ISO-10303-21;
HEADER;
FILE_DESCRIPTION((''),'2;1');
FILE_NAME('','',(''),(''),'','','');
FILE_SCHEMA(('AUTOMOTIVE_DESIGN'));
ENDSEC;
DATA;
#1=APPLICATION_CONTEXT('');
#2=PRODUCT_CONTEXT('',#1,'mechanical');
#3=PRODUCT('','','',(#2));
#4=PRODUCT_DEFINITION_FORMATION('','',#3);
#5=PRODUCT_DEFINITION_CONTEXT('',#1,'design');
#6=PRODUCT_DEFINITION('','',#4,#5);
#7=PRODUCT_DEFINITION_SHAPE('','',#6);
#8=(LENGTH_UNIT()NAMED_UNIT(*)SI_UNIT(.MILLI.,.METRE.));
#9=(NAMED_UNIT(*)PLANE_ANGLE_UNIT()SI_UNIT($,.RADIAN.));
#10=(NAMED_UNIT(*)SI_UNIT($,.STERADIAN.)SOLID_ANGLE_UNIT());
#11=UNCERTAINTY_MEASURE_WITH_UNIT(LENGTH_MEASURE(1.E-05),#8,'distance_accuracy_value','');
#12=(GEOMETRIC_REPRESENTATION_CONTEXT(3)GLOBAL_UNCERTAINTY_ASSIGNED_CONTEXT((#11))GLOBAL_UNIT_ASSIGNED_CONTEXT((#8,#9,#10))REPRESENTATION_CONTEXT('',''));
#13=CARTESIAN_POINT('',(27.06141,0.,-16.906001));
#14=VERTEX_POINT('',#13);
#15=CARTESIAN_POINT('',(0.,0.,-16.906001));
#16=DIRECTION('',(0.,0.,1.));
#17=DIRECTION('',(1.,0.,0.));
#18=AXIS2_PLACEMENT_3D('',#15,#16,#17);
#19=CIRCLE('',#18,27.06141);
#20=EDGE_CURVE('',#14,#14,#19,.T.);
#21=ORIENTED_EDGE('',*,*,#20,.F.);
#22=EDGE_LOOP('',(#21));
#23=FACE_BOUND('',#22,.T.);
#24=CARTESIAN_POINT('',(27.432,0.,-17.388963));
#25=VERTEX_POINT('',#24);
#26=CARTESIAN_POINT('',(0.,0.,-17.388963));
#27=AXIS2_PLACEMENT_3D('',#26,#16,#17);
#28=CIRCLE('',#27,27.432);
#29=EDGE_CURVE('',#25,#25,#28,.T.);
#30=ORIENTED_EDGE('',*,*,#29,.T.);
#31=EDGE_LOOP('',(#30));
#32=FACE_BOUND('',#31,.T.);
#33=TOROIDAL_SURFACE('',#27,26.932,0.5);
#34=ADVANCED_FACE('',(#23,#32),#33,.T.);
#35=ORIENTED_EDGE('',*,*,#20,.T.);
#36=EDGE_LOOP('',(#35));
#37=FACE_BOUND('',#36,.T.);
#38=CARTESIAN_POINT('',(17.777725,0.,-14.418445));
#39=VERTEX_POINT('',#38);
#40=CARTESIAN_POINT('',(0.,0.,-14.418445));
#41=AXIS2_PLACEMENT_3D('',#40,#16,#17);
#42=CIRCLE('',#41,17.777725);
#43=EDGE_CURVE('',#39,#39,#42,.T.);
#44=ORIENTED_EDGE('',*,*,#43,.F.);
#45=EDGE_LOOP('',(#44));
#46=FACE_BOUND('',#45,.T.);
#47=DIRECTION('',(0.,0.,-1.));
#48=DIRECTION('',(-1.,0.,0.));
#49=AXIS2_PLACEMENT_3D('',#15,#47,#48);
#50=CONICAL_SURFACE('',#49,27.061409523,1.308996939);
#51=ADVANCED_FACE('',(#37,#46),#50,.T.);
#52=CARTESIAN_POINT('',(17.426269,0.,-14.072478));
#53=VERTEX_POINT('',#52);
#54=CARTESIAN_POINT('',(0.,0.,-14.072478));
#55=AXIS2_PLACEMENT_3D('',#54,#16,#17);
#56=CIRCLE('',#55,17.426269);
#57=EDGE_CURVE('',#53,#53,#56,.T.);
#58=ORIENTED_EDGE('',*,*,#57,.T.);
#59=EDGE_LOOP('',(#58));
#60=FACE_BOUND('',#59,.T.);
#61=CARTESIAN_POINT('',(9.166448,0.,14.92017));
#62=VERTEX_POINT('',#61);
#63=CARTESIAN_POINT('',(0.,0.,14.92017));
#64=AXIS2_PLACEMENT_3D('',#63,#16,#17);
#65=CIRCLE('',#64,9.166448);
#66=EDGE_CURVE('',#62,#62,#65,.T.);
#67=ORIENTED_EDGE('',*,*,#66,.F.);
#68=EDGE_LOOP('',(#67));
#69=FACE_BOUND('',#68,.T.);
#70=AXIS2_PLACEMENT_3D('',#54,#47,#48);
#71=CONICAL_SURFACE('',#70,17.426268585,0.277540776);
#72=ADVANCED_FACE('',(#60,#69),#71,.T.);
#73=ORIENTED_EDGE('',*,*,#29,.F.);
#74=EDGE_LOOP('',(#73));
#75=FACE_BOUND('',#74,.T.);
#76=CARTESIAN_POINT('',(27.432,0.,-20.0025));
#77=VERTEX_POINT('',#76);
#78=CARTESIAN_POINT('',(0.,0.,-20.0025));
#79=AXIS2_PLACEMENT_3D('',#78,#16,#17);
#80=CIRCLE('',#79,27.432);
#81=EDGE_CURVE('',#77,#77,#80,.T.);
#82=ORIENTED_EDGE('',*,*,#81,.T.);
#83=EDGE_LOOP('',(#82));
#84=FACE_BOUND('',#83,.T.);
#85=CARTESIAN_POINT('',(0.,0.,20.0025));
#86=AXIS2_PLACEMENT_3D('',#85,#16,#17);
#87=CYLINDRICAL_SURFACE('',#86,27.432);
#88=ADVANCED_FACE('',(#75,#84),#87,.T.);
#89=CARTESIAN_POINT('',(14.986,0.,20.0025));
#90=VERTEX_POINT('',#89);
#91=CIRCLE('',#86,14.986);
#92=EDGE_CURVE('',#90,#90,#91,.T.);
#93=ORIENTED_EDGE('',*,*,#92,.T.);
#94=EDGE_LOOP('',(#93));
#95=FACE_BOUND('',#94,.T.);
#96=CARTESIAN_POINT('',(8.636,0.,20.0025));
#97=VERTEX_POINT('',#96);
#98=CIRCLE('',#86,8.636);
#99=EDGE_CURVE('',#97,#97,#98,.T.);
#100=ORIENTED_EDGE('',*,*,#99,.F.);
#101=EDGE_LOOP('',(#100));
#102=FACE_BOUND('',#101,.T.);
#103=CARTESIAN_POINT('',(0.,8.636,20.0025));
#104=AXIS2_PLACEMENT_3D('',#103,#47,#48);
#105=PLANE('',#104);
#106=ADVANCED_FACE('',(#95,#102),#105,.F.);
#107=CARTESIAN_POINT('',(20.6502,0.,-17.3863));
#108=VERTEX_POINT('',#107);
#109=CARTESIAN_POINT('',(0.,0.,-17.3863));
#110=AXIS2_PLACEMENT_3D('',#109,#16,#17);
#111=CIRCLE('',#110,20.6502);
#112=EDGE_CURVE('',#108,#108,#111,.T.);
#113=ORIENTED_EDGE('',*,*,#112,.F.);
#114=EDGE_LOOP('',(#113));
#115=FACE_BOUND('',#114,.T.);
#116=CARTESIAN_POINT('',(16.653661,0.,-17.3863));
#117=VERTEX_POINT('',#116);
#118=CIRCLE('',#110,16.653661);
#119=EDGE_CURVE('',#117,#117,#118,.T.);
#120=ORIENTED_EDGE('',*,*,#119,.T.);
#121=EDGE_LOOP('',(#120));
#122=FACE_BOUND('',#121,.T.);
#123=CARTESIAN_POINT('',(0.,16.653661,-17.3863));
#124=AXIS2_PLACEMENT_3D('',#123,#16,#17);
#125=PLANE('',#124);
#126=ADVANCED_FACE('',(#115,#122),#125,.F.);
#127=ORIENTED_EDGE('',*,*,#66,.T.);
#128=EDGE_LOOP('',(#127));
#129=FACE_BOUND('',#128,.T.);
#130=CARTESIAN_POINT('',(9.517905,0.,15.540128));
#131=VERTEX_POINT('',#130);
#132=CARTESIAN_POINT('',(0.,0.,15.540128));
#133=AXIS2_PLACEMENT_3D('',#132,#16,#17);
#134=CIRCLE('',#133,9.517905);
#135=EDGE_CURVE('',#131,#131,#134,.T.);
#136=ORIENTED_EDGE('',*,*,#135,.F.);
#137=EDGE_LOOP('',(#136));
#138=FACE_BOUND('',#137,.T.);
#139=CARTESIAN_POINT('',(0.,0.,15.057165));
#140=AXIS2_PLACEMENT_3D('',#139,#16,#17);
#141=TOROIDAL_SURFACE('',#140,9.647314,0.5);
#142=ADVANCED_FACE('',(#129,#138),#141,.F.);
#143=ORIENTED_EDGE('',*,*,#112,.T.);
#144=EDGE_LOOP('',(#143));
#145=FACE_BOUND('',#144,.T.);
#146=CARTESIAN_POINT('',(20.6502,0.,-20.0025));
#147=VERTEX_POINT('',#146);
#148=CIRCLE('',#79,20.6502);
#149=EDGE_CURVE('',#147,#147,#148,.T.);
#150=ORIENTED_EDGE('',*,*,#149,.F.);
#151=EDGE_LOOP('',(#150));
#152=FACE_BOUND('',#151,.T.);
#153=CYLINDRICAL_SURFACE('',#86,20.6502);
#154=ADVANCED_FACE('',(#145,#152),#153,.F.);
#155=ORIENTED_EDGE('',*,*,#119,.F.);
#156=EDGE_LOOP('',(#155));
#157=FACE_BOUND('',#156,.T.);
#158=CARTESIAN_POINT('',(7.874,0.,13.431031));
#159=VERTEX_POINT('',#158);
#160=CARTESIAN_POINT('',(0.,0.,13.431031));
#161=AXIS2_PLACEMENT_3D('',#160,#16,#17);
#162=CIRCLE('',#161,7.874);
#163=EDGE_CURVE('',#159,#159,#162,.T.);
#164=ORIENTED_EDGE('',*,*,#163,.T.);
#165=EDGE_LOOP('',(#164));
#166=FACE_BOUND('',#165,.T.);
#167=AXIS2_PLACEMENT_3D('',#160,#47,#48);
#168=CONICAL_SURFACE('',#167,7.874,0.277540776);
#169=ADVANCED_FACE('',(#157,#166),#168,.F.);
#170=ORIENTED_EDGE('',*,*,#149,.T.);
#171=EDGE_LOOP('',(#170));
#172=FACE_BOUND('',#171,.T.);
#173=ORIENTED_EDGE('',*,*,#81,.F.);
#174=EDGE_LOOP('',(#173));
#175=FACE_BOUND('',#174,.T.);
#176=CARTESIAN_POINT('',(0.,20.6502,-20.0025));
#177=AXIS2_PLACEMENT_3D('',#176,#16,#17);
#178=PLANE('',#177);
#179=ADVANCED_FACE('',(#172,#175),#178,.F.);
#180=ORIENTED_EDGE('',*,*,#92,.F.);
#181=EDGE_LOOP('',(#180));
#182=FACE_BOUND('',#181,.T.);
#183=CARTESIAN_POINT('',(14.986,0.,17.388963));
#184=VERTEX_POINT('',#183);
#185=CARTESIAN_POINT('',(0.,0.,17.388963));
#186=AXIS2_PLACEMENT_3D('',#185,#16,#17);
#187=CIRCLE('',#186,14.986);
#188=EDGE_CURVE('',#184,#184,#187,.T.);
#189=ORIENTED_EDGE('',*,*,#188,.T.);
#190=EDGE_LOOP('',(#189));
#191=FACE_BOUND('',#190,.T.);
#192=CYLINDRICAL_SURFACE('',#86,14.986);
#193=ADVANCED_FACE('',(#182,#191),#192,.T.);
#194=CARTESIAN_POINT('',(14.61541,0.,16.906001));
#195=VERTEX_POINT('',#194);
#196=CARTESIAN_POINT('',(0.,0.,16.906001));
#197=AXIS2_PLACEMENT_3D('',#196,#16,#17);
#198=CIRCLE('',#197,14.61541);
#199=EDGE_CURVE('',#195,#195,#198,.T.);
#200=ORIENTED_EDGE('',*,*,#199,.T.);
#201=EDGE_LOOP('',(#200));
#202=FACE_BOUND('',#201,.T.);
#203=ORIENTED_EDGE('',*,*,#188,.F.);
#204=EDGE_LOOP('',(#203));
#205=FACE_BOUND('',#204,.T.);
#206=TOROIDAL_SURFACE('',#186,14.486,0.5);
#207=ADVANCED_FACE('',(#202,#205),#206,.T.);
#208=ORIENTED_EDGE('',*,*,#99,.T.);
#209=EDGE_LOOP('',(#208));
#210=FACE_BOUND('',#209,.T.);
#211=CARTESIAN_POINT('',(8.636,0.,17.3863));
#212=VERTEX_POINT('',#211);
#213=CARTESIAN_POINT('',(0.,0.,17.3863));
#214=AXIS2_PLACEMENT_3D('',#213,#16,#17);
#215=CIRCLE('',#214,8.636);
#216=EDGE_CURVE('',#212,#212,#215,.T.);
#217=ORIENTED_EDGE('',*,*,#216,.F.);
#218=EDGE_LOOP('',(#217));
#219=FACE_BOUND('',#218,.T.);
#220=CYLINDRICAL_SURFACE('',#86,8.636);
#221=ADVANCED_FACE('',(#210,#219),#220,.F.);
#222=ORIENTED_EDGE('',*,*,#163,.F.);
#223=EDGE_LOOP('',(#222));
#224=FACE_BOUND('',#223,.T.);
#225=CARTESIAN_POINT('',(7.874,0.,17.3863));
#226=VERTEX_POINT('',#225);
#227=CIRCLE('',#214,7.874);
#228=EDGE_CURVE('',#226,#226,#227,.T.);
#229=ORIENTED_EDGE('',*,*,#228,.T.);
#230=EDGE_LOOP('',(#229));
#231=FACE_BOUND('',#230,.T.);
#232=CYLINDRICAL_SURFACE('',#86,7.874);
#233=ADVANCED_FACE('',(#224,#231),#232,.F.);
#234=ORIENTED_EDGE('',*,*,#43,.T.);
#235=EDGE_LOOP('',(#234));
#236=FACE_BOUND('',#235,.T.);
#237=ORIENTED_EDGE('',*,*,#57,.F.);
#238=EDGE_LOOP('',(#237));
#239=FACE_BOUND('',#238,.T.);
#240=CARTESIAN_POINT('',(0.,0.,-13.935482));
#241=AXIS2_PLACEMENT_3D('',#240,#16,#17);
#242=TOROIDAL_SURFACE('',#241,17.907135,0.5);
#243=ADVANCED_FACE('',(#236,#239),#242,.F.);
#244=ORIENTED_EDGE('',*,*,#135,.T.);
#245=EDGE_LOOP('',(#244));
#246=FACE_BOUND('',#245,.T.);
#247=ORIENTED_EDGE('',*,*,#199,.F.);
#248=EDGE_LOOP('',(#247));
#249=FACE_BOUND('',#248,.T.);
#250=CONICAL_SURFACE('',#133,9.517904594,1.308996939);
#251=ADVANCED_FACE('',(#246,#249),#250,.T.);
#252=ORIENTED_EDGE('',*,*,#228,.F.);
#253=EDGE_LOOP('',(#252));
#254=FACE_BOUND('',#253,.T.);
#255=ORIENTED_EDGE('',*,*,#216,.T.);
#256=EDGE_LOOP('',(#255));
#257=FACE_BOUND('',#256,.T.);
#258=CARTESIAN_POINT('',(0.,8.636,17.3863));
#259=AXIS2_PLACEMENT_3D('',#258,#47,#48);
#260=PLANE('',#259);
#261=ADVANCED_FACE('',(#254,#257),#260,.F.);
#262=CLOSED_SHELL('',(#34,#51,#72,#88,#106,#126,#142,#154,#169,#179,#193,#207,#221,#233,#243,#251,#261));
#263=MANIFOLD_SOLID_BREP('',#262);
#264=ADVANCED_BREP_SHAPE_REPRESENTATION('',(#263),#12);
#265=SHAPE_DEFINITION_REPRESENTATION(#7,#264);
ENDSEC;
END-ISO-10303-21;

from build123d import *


with BuildPart() as part:
    # Sketch2 → Revolve1 (revolve)
    with BuildSketch(Plane(origin=(0, 0, 0), x_dir=(0, 0, -1), z_dir=(1, 0, 0)), mode=Mode.PRIVATE) as revolve1_sk:
        with BuildLine():
            Line((20.0025, 27.432), (17.388963494, 27.432))
            ThreePointArc((17.388963494, 27.432), (17.084582779, 27.32867667), (16.906000581, 27.061409523))
            Line((16.906000581, 27.061409523), (14.418444847, 17.777725139))
            ThreePointArc((14.418444847, 17.777725139), (14.291807056, 17.556374904), (14.072477617, 17.426268585))
            Line((14.072477617, 17.426268585), (-14.920169656, 9.16644804))
            ThreePointArc((-14.920169656, 9.16644804), (-15.30374952, 9.212347173), (-15.540128252, 9.517904594))
            Line((-15.540128252, 9.517904594), (-16.906000581, 14.615409523))
            ThreePointArc((-16.906000581, 14.615409523), (-17.084582779, 14.88267667), (-17.388963494, 14.986))
            Line((-17.388963494, 14.986), (-20.0025, 14.986))
            Line((-20.0025, 14.986), (-20.0025, 8.636))
            Line((-20.0025, 8.636), (-17.3863, 8.636))
            Line((-17.3863, 8.636), (-17.3863, 7.874))
            Line((-17.3863, 7.874), (-13.431030881, 7.874))
            Line((-13.431030881, 7.874), (17.3863, 16.653661283))
            Line((17.3863, 16.653661283), (17.3863, 20.6502))
            Line((17.3863, 20.6502), (20.0025, 20.6502))
            Line((20.0025, 20.6502), (20.0025, 27.432))
        make_face()
    revolve(revolve1_sk.sketch.rotate(Axis((0, 0, 20.0025), (0, 0, -1)), 90), axis=Axis((0, 0, 20.0025), (0, 0, -1)))


solid = part.part
